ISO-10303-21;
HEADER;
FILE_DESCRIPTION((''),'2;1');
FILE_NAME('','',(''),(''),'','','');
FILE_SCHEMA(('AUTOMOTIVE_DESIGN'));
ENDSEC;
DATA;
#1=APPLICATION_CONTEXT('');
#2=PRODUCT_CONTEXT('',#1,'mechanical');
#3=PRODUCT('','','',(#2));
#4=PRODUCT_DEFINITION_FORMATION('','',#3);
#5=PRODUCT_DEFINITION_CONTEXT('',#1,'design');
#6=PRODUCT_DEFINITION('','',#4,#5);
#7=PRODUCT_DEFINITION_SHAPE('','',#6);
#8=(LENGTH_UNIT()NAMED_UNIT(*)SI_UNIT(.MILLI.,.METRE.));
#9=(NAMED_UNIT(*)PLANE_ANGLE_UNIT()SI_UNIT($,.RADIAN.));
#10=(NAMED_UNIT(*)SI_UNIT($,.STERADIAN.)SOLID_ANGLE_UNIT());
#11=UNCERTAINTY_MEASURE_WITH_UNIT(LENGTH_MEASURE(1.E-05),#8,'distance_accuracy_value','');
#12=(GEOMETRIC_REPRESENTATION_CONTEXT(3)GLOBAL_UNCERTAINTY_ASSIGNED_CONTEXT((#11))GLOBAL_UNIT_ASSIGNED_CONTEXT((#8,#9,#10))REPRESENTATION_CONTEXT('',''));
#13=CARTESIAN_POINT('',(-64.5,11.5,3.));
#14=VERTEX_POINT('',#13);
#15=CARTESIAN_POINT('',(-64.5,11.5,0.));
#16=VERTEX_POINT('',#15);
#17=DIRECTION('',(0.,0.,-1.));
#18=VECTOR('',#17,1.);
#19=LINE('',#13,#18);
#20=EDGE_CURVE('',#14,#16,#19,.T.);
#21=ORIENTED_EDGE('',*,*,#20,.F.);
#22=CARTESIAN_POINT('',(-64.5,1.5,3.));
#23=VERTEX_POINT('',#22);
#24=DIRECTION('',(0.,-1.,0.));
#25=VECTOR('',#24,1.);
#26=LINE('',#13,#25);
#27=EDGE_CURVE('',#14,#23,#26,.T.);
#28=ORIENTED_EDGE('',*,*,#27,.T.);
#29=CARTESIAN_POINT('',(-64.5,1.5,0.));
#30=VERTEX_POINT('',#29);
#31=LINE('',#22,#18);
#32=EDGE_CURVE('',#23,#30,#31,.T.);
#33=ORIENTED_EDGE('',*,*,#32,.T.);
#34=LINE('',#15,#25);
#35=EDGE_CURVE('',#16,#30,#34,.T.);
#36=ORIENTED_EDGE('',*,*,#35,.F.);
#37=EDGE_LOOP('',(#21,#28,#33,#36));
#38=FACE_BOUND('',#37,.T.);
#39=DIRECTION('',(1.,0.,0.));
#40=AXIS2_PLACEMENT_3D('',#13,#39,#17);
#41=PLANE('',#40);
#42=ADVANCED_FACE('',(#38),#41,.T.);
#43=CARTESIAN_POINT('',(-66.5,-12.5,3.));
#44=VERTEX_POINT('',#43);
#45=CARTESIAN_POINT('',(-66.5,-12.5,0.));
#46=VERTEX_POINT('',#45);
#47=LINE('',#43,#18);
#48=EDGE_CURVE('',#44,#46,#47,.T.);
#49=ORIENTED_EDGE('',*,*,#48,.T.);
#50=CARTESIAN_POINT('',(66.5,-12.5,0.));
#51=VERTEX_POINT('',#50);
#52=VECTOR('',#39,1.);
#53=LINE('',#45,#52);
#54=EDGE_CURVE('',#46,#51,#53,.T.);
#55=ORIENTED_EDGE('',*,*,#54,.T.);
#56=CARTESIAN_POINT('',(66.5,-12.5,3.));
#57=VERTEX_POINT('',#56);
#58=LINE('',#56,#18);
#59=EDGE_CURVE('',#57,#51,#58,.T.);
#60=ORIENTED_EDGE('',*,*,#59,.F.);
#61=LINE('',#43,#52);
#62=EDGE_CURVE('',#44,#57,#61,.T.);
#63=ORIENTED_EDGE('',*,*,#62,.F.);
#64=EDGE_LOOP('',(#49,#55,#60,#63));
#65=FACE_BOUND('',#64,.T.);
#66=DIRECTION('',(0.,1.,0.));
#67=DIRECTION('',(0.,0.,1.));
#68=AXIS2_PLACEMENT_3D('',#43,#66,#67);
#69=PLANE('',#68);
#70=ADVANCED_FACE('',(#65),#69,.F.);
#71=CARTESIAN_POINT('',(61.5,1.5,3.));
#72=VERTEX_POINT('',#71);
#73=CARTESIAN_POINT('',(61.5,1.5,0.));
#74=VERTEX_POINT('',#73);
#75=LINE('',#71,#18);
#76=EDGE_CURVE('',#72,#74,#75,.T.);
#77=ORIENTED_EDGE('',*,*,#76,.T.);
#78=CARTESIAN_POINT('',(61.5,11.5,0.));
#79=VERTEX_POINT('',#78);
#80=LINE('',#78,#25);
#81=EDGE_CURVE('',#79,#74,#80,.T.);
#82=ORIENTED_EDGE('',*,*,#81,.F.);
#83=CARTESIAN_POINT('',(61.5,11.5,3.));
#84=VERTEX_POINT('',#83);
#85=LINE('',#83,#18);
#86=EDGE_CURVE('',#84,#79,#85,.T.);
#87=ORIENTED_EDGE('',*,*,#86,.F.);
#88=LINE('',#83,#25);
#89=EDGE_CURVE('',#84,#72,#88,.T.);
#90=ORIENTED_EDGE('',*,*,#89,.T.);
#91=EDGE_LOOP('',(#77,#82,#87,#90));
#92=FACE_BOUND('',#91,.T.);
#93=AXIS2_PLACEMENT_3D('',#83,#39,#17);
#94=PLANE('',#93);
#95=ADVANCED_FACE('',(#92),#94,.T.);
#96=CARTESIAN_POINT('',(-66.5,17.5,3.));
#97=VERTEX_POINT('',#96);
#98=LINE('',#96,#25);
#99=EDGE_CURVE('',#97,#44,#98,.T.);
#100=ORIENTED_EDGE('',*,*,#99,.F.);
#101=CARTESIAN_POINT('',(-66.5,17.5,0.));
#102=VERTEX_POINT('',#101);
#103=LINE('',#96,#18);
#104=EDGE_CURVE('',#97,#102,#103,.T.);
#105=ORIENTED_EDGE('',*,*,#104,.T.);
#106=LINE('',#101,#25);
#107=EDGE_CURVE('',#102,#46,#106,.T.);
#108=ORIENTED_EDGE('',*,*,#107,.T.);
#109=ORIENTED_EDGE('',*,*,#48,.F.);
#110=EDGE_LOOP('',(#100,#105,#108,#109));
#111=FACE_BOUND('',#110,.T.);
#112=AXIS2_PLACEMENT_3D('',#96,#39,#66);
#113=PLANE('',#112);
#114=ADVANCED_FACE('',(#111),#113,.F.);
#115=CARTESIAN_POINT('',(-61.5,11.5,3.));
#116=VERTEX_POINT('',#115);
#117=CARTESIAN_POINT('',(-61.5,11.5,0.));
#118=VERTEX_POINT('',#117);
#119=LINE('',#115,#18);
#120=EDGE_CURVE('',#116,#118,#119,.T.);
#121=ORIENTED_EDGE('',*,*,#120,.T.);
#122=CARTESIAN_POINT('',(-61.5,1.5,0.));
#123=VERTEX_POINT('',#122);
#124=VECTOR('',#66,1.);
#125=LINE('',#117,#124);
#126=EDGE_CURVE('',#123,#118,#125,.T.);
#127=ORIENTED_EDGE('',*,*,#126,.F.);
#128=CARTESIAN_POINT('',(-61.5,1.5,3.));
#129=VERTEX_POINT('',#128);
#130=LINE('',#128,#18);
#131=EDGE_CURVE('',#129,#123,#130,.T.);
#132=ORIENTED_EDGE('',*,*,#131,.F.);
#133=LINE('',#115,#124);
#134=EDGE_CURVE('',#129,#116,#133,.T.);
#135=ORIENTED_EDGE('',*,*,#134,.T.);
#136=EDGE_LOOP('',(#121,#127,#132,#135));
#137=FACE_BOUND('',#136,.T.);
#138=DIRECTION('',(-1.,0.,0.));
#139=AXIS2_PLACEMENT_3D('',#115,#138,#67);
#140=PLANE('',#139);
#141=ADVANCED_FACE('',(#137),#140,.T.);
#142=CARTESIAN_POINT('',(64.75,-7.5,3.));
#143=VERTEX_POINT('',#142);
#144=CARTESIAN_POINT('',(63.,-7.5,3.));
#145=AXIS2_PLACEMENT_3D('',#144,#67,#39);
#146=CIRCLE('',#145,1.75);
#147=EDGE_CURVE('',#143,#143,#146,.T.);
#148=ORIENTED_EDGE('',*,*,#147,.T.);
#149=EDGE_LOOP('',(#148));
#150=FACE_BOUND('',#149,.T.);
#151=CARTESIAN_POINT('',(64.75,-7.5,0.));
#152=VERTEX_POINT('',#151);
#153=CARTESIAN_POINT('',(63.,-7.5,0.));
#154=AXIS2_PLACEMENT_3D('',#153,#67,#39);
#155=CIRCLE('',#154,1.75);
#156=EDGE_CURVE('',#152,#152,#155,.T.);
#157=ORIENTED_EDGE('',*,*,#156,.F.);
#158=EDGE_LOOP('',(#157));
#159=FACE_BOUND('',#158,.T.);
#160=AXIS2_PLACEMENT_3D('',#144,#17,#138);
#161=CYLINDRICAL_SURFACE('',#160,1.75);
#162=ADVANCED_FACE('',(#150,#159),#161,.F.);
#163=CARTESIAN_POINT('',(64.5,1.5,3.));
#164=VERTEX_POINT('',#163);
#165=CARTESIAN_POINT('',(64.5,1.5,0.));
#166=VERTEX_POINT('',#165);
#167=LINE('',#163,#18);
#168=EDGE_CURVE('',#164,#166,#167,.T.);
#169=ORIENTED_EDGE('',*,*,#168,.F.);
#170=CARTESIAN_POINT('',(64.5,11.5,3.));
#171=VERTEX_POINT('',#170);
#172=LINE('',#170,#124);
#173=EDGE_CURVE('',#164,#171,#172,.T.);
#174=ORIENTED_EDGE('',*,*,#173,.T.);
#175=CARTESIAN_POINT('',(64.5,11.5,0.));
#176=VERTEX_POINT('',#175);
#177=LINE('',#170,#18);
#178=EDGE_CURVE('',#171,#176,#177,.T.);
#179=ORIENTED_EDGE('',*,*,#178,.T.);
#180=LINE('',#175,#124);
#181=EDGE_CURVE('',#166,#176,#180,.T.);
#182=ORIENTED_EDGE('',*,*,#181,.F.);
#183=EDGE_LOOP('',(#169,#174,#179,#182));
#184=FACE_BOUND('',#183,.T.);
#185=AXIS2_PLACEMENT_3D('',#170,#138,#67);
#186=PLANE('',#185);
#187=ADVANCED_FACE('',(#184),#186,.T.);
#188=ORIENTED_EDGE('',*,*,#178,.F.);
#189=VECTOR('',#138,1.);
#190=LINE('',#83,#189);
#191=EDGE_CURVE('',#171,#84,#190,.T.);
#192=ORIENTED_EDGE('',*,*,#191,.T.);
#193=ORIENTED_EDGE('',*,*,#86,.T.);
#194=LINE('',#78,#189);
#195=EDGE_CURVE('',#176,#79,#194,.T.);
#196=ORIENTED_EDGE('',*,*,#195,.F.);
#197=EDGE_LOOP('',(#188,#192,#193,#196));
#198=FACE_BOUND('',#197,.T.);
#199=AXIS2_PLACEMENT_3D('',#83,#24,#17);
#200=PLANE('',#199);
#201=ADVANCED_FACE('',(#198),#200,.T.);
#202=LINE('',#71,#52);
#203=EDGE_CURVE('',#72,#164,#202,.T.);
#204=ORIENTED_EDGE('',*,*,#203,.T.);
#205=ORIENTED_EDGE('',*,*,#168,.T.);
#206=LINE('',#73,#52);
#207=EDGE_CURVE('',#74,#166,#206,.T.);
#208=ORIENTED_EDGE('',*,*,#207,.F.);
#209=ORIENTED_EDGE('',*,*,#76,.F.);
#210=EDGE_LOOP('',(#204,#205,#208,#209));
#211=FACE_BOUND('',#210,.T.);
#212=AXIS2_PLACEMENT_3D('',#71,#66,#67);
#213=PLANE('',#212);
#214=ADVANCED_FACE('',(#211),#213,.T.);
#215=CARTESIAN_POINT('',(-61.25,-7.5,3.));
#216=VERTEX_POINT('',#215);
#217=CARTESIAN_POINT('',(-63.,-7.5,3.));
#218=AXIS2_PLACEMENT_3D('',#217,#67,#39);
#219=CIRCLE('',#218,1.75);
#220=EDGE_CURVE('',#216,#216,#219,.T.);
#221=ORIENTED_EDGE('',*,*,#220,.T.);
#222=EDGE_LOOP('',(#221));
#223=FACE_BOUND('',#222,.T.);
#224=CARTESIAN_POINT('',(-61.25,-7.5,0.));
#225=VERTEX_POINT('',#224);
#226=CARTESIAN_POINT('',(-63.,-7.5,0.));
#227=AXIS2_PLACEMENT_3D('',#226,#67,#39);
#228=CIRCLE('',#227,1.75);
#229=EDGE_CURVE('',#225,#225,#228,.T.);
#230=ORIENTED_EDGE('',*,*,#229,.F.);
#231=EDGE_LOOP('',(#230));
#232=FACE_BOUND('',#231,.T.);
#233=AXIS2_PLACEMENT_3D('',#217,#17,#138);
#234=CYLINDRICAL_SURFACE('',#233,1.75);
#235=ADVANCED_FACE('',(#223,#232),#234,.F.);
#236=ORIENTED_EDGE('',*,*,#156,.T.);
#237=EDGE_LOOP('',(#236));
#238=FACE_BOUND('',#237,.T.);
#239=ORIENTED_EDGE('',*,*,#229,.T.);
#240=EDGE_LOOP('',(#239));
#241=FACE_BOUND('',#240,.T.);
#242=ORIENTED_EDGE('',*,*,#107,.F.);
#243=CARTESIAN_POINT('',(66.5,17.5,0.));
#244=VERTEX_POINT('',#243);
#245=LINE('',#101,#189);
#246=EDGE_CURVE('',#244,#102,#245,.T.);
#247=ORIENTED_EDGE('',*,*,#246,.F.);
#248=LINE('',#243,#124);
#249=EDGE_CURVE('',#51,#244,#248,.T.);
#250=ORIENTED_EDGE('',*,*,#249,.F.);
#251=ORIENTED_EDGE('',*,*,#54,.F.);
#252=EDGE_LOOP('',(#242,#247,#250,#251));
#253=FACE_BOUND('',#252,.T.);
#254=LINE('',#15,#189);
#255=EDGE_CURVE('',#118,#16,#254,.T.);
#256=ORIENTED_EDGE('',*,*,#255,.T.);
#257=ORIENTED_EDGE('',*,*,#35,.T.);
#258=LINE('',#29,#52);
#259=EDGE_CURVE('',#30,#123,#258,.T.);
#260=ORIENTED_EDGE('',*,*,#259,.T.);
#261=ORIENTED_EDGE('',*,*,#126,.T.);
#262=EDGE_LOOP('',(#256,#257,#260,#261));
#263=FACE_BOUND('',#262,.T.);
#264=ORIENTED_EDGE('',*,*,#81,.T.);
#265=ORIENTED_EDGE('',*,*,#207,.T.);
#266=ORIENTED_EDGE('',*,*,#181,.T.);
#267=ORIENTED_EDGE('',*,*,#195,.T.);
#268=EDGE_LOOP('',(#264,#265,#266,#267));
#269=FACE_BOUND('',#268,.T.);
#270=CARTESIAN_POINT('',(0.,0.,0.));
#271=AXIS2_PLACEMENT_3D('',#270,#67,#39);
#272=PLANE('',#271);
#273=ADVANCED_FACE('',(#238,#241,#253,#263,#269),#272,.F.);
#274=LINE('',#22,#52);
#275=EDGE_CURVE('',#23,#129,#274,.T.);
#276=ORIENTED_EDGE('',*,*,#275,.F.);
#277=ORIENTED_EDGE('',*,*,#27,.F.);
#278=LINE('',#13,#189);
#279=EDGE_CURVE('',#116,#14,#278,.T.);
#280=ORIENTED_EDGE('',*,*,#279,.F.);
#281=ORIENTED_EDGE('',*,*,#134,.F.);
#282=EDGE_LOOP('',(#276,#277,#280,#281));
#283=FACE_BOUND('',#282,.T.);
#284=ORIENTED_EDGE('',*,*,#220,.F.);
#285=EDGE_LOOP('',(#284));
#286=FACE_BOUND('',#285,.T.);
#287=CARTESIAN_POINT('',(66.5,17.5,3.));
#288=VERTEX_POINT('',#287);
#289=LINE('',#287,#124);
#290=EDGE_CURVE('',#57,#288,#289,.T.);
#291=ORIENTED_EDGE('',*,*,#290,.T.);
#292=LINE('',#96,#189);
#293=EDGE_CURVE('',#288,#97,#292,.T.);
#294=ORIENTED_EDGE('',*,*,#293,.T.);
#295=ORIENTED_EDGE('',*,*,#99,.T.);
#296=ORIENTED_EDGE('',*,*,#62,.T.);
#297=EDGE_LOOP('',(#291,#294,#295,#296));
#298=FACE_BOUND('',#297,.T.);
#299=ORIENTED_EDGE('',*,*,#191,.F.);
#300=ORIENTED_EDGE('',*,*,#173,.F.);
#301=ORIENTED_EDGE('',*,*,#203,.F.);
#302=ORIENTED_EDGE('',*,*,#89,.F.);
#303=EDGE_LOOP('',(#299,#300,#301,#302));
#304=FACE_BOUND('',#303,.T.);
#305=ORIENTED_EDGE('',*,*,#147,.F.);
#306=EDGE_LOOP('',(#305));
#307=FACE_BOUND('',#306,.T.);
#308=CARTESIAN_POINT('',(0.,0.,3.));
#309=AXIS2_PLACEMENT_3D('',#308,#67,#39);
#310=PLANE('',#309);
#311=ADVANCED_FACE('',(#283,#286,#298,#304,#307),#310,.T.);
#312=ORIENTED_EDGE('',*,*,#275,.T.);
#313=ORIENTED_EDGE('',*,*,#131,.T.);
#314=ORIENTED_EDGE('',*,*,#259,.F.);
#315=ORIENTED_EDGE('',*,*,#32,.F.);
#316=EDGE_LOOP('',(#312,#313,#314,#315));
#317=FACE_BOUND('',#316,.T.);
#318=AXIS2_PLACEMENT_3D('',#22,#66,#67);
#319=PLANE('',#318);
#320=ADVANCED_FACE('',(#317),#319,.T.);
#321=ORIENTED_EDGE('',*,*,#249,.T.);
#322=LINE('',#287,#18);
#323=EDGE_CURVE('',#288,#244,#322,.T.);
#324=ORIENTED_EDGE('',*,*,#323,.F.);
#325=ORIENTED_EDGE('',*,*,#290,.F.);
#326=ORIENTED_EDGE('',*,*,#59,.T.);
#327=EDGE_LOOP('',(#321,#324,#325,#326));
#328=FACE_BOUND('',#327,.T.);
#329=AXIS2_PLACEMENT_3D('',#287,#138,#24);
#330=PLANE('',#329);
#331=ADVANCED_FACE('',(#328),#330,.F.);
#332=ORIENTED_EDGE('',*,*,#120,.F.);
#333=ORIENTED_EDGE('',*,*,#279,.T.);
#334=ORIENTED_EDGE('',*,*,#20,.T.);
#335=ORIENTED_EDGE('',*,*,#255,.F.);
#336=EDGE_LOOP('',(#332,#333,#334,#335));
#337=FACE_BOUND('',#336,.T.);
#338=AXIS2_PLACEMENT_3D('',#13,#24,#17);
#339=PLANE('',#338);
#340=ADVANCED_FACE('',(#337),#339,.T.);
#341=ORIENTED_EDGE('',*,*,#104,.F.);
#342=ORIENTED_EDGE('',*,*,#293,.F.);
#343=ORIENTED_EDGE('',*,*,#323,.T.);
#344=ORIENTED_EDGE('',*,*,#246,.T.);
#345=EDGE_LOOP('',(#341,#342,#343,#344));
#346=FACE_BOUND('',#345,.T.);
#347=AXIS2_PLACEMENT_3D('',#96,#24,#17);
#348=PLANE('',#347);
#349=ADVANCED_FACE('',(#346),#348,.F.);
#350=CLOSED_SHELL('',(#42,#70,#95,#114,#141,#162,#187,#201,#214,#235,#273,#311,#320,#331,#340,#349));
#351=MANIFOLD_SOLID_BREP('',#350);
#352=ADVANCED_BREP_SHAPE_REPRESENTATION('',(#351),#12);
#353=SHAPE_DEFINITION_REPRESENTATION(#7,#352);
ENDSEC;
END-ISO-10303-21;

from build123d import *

# Parameters (mm, degrees)
SKETCH1_W           = 133
SKETCH1_H           = 30
SKETCH1_R           = 1.75
SKETCH1_W_2         = 3
SKETCH1_H_2         = 10
BOSS_EXTRUDE1_DEPTH = 3


with BuildPart() as part:
    # Sketch1 → Boss-Extrude1 (new body)
    with BuildSketch(Plane.XY):
        with Locations((0, 2.5)):
            Rectangle(SKETCH1_W, SKETCH1_H)
        with Locations((-63, -7.5)):
            Circle(SKETCH1_R, mode=Mode.SUBTRACT)
        with Locations((63, -7.5)):
            Circle(SKETCH1_R, mode=Mode.SUBTRACT)
        with Locations((63, 6.5)):
            Rectangle(SKETCH1_W_2, SKETCH1_H_2, mode=Mode.SUBTRACT)
        with Locations((-63, 6.5)):
            Rectangle(SKETCH1_W_2, SKETCH1_H_2, mode=Mode.SUBTRACT)
    extrude(amount=BOSS_EXTRUDE1_DEPTH)


solid = part.part
